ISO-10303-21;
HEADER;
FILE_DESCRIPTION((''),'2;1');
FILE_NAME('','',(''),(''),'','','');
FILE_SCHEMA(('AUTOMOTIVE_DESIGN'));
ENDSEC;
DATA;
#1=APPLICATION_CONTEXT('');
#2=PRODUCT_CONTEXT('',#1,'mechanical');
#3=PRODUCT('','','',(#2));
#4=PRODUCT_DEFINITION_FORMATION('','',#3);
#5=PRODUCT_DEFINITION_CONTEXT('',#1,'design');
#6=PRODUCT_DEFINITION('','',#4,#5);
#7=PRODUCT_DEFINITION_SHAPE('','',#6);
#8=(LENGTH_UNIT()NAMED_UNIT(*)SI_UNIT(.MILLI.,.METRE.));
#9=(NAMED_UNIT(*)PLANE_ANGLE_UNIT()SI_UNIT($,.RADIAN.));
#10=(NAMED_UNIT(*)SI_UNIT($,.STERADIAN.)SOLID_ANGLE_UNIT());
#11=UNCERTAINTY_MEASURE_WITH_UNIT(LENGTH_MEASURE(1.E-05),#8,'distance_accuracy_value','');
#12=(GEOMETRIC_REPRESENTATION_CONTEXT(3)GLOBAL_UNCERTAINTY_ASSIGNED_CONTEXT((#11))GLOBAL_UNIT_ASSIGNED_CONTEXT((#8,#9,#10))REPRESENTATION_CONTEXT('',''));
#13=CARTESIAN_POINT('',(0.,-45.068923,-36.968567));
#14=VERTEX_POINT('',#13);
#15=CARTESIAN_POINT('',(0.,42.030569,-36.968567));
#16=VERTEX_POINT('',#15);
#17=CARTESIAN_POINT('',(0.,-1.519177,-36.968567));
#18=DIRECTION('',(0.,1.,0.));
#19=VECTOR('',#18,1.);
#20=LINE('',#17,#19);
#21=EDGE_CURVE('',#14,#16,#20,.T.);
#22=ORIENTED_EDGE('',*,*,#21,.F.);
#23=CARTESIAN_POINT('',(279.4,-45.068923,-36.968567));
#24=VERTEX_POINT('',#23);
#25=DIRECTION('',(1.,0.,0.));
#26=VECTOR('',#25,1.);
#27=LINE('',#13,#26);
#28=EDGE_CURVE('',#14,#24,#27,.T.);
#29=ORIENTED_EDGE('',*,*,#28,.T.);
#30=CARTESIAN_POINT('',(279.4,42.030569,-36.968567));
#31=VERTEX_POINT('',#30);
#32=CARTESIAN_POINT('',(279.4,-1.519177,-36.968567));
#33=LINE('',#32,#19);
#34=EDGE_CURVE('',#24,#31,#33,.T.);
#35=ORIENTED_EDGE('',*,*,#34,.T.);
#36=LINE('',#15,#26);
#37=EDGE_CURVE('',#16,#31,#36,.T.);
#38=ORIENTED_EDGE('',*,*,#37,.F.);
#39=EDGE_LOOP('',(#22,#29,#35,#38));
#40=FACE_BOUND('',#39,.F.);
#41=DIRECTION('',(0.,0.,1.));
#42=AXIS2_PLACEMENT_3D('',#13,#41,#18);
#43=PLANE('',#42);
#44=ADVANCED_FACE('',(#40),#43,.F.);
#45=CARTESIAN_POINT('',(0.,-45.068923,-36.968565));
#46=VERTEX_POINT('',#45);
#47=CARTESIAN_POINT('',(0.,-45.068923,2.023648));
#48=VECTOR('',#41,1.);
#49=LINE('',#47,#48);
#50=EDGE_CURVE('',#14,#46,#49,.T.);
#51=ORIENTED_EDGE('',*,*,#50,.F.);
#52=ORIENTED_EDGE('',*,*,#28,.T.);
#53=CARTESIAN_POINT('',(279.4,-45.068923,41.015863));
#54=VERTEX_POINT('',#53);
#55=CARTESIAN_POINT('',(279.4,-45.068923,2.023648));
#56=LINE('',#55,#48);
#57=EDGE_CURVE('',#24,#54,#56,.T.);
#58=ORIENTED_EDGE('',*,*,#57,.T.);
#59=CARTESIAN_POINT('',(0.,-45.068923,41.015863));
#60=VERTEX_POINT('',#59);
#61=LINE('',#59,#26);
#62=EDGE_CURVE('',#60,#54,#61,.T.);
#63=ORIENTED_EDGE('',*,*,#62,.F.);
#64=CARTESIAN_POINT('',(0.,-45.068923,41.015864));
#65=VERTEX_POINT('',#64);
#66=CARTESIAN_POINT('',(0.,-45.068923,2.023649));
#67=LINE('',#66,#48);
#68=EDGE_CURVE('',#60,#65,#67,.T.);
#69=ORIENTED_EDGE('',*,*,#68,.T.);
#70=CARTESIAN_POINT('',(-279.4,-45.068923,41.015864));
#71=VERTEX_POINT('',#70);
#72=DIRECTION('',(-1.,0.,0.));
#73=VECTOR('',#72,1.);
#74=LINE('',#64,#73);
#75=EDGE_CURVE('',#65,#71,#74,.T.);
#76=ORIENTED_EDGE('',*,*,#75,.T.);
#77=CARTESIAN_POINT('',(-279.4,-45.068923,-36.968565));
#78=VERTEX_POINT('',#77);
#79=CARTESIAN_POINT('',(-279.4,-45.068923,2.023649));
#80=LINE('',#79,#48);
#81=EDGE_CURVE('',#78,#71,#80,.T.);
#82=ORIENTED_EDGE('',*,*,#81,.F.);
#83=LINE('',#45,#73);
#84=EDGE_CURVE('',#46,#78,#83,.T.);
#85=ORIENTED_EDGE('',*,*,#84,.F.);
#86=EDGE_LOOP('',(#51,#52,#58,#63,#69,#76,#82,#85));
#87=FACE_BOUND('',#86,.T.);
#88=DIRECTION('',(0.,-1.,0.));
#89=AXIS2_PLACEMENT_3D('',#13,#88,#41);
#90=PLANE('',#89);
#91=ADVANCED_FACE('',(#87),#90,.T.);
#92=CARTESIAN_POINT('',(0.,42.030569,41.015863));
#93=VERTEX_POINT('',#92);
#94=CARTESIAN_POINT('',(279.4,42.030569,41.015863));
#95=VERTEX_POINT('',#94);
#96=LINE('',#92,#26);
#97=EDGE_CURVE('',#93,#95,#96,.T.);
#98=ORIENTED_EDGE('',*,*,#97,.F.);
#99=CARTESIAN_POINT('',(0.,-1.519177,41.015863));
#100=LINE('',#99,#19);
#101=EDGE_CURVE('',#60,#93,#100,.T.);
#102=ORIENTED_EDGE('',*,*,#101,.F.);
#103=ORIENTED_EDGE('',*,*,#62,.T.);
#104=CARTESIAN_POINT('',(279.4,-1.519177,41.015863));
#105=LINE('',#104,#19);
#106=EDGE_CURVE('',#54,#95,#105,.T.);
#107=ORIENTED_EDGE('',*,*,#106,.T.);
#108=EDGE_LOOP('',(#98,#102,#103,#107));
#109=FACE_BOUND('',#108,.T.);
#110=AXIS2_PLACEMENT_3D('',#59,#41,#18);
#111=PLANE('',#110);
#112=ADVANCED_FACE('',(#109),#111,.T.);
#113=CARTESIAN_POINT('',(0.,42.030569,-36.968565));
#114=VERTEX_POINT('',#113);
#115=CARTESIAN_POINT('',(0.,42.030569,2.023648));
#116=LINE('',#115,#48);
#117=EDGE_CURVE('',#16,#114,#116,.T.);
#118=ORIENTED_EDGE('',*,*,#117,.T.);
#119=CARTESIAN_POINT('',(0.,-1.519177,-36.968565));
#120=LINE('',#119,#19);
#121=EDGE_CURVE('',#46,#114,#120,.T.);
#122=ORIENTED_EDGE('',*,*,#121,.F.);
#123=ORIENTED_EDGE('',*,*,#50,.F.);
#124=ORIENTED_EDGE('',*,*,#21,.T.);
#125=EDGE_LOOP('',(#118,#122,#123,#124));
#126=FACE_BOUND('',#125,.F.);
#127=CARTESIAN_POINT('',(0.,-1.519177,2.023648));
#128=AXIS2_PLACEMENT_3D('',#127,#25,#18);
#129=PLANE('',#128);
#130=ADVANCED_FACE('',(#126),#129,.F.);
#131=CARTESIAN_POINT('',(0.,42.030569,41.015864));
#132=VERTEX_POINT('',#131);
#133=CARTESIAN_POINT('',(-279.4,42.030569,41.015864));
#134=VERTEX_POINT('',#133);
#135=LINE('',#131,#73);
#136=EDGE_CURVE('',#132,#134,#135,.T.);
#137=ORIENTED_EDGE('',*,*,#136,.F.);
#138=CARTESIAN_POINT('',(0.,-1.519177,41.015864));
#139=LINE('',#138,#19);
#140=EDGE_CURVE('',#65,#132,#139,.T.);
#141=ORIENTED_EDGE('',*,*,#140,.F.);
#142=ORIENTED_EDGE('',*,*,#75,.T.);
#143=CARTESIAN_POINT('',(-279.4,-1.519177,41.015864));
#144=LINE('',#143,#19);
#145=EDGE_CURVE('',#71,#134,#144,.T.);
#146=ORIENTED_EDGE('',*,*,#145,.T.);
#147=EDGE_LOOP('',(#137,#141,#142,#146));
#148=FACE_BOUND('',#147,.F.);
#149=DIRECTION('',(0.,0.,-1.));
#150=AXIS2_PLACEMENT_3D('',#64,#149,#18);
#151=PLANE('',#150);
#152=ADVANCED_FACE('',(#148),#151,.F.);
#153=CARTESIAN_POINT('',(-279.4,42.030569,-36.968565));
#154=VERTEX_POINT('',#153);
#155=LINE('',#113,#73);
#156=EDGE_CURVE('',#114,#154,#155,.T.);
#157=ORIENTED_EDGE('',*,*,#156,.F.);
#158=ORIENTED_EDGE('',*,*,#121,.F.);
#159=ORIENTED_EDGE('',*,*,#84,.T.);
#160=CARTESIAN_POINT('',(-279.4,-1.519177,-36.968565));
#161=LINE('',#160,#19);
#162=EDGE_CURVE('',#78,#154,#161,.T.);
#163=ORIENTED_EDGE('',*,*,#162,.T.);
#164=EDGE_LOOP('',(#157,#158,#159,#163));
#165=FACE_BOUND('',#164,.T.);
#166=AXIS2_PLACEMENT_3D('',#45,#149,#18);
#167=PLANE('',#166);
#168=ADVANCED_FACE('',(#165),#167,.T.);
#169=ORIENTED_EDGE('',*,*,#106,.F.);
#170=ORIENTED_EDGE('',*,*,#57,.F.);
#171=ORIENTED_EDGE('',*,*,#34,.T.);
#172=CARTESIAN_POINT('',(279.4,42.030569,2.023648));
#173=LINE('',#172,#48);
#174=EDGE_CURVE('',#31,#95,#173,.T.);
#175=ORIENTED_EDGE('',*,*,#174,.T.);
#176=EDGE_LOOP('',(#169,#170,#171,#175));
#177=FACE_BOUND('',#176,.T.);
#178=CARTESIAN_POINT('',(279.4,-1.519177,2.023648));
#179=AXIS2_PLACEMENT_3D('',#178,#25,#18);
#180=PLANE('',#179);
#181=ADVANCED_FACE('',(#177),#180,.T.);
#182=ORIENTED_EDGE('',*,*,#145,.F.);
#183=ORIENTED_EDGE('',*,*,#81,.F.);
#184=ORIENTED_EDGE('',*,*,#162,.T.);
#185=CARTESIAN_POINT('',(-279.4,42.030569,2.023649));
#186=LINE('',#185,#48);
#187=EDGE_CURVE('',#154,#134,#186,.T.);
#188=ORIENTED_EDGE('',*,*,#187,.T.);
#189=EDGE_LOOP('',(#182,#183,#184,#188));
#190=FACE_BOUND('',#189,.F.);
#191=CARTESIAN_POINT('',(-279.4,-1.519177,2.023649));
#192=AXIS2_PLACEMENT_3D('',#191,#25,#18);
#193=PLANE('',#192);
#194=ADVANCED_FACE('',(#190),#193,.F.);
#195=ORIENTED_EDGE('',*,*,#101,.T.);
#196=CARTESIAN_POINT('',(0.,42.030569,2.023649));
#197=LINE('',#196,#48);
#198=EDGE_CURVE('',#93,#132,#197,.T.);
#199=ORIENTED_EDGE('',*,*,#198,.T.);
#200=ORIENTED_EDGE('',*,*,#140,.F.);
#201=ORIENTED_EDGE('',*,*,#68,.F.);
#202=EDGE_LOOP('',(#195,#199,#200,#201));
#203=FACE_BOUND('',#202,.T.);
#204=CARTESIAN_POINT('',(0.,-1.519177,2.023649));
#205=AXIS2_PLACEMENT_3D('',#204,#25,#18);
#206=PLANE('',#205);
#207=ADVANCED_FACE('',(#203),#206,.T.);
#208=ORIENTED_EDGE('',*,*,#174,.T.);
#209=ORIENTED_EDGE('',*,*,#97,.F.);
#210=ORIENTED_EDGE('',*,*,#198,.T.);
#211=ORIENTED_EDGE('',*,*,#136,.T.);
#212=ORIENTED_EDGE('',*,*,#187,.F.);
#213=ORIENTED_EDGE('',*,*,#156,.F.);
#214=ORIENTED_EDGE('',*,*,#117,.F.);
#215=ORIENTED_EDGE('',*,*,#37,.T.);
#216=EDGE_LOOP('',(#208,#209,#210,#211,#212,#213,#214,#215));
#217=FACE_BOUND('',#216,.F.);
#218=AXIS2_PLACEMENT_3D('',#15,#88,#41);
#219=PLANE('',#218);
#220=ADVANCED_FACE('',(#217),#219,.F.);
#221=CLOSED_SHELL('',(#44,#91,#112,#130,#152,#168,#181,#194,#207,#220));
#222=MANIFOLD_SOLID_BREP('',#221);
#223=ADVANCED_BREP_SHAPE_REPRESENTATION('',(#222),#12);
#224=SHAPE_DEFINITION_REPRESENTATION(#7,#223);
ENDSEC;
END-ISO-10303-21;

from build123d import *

# Parameters (mm, degrees)
F0_W      = 87.099492
F0_H      = 77.984429
F1_DEPTH  = 279.4
F1_FACE_W = 87.099492
F1_FACE_H = 77.98443
F2_DEPTH  = 279.4


with BuildPart() as f1:
    # F0 (on Right) → F1 (new body)
    with BuildSketch(Plane.YZ):
        with Locations((-1.519177, 2.023649)):
            Rectangle(F0_W, F0_H)
    extrude(amount=-F1_DEPTH)

    # F1_face (on face) → F2 (join)
    with BuildSketch(Plane(origin=(0, -1.519177, 2.023648), x_dir=(0, 1, 0), z_dir=(1, 0, 0))):
        Rectangle(F1_FACE_W, F1_FACE_H)
    extrude(amount=F2_DEPTH)


solid = f1.part
